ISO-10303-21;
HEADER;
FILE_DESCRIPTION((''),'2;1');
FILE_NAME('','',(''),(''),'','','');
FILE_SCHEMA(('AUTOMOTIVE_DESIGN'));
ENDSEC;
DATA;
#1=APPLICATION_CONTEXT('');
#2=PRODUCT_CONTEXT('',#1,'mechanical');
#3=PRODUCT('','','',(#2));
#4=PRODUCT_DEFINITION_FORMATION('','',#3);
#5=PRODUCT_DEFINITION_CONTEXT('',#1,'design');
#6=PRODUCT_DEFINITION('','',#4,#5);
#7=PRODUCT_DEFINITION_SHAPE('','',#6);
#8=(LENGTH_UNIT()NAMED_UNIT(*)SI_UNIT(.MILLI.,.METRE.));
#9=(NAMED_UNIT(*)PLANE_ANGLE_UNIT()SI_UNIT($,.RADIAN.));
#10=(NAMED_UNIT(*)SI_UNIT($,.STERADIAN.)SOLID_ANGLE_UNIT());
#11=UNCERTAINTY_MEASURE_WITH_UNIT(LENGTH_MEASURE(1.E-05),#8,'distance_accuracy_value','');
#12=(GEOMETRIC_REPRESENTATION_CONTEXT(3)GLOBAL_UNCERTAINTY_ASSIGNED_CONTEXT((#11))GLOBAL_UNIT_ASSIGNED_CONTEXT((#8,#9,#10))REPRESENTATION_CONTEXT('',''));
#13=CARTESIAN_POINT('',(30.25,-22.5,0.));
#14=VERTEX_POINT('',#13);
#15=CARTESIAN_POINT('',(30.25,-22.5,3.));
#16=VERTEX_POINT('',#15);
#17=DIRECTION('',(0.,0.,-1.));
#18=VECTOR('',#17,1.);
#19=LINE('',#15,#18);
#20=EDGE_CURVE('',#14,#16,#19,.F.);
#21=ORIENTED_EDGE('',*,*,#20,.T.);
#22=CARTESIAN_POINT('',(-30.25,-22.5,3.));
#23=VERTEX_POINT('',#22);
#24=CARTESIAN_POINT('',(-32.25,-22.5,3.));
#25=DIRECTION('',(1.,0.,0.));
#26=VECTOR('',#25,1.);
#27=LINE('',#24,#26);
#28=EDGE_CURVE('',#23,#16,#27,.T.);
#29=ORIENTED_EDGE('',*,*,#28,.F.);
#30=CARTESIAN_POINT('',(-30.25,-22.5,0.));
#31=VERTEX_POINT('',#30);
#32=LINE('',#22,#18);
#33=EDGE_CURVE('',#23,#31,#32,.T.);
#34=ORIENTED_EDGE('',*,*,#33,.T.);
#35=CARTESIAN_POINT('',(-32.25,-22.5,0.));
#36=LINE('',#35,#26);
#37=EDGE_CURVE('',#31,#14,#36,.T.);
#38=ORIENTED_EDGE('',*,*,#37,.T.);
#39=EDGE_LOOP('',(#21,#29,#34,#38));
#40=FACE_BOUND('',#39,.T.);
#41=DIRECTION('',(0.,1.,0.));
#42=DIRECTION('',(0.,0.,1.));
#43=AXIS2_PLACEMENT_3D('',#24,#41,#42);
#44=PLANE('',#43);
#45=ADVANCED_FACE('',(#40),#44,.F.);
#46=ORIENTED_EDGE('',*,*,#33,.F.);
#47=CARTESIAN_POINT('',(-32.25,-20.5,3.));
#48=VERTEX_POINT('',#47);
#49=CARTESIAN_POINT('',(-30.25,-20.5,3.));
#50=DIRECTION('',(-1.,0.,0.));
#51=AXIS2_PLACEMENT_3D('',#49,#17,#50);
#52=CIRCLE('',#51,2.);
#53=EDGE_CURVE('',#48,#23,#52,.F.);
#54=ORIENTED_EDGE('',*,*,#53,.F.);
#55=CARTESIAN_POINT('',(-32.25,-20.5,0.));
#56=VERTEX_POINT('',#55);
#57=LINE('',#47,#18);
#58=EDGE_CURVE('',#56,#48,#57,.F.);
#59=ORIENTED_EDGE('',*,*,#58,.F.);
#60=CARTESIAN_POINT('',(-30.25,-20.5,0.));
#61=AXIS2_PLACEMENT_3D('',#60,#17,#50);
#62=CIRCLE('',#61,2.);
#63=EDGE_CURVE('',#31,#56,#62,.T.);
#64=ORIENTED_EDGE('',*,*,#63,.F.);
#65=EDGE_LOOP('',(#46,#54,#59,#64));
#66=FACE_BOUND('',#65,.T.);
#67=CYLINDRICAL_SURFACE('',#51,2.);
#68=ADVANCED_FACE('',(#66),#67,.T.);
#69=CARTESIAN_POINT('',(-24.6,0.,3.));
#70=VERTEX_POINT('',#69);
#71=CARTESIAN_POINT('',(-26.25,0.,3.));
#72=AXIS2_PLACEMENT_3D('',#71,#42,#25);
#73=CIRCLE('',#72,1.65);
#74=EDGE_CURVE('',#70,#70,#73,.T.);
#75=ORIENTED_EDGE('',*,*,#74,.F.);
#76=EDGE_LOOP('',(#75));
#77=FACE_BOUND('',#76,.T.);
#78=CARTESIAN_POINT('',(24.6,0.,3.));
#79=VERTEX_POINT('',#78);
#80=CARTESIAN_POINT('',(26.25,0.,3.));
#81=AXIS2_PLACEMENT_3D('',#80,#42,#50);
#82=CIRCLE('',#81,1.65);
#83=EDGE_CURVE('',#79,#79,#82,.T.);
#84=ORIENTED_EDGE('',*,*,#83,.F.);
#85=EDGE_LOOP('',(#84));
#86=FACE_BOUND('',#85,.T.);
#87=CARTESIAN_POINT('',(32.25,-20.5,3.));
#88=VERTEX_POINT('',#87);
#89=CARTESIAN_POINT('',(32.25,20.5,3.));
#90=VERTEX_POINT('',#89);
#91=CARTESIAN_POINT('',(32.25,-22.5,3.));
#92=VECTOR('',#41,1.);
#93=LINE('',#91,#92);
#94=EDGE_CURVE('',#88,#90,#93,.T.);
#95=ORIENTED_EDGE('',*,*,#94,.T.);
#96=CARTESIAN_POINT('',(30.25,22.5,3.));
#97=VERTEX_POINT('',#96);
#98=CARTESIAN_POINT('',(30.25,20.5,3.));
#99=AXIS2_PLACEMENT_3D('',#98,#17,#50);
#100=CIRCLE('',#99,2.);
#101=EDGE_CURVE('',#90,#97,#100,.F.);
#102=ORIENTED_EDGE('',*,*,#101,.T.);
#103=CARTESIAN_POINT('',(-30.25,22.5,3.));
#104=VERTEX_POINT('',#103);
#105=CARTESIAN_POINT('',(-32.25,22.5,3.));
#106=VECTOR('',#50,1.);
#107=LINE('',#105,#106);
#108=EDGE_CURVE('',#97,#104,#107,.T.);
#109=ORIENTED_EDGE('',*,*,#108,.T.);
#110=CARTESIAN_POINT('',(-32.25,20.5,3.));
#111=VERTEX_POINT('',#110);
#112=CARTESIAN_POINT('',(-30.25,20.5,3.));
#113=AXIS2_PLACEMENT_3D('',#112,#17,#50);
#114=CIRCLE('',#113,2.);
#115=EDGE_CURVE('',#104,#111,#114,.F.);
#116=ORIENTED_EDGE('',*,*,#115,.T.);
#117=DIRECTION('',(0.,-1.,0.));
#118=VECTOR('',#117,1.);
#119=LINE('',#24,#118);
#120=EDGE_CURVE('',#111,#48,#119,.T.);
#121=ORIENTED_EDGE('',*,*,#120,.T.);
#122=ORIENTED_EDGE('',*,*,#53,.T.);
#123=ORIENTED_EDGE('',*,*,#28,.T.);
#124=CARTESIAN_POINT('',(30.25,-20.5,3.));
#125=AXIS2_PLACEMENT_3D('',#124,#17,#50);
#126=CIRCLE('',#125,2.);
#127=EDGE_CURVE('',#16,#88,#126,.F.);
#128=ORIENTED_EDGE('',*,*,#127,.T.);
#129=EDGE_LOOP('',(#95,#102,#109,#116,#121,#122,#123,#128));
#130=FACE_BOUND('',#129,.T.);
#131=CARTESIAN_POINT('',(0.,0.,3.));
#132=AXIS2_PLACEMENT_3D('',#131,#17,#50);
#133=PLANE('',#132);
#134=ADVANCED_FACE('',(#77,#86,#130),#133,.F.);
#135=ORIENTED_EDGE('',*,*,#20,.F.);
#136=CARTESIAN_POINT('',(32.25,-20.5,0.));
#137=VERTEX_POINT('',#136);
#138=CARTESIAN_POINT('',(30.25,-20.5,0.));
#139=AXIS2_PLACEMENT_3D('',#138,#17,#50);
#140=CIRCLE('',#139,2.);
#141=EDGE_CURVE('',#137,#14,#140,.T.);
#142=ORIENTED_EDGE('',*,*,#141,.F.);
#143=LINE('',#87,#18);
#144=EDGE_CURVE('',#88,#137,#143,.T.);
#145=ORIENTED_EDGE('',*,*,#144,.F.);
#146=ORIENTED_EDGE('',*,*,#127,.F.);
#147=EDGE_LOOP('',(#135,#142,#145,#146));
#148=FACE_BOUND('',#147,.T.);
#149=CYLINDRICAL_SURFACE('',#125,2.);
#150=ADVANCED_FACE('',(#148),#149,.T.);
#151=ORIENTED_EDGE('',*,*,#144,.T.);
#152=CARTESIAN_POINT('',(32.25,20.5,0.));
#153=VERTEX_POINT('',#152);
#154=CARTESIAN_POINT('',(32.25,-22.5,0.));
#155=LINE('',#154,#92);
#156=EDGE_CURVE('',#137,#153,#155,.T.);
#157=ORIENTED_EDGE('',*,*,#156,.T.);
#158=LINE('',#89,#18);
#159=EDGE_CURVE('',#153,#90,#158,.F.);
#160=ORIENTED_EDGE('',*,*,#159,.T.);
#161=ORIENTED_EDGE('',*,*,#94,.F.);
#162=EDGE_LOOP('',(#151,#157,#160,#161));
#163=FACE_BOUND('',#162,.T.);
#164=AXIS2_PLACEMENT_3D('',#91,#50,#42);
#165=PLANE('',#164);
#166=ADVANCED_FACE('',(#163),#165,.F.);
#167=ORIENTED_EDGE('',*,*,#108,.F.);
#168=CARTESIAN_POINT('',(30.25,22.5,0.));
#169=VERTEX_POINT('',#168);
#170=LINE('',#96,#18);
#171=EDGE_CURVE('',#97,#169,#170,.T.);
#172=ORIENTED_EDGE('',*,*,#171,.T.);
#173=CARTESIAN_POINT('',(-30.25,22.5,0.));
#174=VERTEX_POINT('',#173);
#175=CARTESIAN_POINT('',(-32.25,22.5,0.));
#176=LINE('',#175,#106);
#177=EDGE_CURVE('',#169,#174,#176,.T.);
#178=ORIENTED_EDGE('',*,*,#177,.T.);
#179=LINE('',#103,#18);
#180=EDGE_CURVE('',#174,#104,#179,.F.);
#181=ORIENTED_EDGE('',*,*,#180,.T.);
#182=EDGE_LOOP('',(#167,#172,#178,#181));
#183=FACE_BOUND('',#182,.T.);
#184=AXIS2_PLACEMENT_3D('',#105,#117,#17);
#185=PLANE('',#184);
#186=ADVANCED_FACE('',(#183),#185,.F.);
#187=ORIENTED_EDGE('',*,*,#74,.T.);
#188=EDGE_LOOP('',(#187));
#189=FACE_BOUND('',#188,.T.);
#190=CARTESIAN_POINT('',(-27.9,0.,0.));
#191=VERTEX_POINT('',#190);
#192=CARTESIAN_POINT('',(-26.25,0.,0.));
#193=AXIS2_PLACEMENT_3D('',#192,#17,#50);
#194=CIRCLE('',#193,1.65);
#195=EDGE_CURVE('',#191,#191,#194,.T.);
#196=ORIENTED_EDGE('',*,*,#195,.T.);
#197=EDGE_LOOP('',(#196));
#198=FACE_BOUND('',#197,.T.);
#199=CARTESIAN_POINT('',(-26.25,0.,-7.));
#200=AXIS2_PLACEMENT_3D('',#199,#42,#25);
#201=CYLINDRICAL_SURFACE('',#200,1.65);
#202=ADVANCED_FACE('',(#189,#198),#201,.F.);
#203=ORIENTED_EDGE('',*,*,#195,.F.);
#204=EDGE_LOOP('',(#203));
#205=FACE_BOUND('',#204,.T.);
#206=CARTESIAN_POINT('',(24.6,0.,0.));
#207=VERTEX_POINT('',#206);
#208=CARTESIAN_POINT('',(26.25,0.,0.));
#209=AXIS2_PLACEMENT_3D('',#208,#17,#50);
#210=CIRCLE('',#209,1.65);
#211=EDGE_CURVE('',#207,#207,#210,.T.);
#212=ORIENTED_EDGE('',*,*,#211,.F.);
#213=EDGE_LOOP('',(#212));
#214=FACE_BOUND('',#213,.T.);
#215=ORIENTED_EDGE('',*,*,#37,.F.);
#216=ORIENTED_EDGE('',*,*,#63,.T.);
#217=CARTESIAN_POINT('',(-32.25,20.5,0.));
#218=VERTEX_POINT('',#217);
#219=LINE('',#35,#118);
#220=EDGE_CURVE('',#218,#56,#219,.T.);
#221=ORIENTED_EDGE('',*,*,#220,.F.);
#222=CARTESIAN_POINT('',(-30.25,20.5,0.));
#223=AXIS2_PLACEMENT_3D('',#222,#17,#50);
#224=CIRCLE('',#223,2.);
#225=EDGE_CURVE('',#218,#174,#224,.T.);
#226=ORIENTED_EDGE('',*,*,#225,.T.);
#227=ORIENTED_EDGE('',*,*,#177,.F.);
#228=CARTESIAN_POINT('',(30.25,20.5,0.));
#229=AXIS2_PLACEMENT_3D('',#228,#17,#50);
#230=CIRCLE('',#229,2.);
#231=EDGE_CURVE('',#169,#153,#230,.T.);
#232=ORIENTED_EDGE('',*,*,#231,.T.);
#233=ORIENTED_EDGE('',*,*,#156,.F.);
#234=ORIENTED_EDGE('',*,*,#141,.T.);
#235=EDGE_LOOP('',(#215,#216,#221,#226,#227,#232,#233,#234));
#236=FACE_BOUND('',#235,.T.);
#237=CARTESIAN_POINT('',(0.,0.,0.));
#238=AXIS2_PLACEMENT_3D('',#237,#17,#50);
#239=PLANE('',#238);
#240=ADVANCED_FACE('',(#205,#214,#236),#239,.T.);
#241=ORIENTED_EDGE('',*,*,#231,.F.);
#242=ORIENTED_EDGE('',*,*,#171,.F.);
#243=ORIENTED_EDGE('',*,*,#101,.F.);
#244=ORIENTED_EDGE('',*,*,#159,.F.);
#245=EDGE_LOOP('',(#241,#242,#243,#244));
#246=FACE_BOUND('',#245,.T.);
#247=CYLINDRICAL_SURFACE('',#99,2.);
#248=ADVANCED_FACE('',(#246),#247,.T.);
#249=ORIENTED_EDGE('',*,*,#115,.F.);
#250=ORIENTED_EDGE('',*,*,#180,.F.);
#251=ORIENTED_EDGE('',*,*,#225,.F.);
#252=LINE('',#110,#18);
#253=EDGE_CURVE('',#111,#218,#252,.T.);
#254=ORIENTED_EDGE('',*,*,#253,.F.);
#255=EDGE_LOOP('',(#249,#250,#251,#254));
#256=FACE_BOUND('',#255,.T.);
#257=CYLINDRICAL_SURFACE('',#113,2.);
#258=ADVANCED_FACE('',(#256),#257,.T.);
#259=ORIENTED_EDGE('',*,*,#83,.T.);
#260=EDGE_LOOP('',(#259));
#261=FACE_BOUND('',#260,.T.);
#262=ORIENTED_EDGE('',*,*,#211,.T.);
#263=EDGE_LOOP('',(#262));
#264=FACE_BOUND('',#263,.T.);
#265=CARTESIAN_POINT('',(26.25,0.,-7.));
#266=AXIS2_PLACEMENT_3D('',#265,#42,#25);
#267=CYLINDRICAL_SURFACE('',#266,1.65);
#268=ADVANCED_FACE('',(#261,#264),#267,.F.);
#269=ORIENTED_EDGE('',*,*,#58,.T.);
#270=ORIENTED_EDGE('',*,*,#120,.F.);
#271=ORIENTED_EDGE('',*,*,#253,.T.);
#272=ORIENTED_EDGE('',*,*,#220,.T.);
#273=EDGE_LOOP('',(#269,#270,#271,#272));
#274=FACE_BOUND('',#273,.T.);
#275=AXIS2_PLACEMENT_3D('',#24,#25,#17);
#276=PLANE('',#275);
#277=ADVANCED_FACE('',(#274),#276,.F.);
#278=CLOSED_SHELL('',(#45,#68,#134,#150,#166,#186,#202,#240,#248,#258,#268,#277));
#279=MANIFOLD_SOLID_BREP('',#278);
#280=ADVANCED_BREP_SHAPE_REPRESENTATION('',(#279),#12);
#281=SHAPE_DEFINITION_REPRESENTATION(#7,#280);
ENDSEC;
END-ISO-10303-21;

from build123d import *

# Parameters (mm, degrees)
SKETCH_1_W          = 64.5
SKETCH_1_H          = 45
EXTRUDE_1_DEPTH     = 3
SKETCH_6_W          = 12
SKETCH_6_H          = 10
EXTRUDE_4_DEPTH     = 3
FILLET_1_R          = 2
SKETCH_7_R          = 1.65
CUT_EXTRUDE_3_DEPTH = 6
SKETCH_9_W          = 6
SKETCH_9_H          = 14
CUT_EXTRUDE_4_DEPTH = 10
SKETCH_8_R          = 1.65
CUT_EXTRUDE_5_DEPTH = 10


with BuildPart() as part:
    # 草图1 → 凸台-拉伸1 (new body)
    with BuildSketch(Plane.XY):
        Rectangle(SKETCH_1_W, SKETCH_1_H)
    extrude(amount=EXTRUDE_1_DEPTH)

    # 草图6 → 凸台-拉伸4 (add)
    with BuildSketch(Plane.XY.offset(3)):
        with Locations((32.25, 0)):
            Rectangle(SKETCH_6_W, SKETCH_6_H)
        with Locations((-32.25, 0)):
            Rectangle(SKETCH_6_W, SKETCH_6_H)
    extrude(amount=-EXTRUDE_4_DEPTH)

    # 圆角1
    fillet_1_edges = [part.edges().sort_by_distance(p)[0] for p in [
        (38.25, -5, 1.5),
        (32.25, 5, 1.5),
        (32.25, -5, 1.5),
        (38.25, 5, 1.5),
        (-38.25, 5, 1.5),
        (-32.25, 5, 1.5),
        (-38.25, -5, 1.5),
        (-32.25, -5, 1.5),
        (32.25, -22.5, 1.5),
        (-32.25, -22.5, 1.5),
        (-32.25, 22.5, 1.5),
        (32.25, 22.5, 1.5),
    ]]
    fillet(fillet_1_edges, radius=FILLET_1_R)

    # 草图7 → 切除-拉伸3 (cut)
    with BuildSketch(Plane.XY.offset(3)):
        with Locations((-35.25, 0)):
            Circle(SKETCH_7_R)
        with Locations((35.25, 0)):
            Circle(SKETCH_7_R)
    extrude(amount=-CUT_EXTRUDE_3_DEPTH, mode=Mode.SUBTRACT)

    # 草图9 → 切除-拉伸4 (cut)
    with BuildSketch(Plane.XY.offset(3)):
        with Locations((-35.25, 0)):
            Rectangle(SKETCH_9_W, SKETCH_9_H)
        with Locations((35.25, 0)):
            Rectangle(SKETCH_9_W, SKETCH_9_H)
    extrude(amount=-CUT_EXTRUDE_4_DEPTH, mode=Mode.SUBTRACT)

    # 草图8 → 切除-拉伸5 (cut)
    with BuildSketch(Plane.XY.offset(3)):
        with Locations((-26.25, 0)):
            Circle(SKETCH_8_R)
        with Locations((26.25, 0)):
            Circle(SKETCH_8_R)
    extrude(amount=-CUT_EXTRUDE_5_DEPTH, mode=Mode.SUBTRACT)


solid = part.part
